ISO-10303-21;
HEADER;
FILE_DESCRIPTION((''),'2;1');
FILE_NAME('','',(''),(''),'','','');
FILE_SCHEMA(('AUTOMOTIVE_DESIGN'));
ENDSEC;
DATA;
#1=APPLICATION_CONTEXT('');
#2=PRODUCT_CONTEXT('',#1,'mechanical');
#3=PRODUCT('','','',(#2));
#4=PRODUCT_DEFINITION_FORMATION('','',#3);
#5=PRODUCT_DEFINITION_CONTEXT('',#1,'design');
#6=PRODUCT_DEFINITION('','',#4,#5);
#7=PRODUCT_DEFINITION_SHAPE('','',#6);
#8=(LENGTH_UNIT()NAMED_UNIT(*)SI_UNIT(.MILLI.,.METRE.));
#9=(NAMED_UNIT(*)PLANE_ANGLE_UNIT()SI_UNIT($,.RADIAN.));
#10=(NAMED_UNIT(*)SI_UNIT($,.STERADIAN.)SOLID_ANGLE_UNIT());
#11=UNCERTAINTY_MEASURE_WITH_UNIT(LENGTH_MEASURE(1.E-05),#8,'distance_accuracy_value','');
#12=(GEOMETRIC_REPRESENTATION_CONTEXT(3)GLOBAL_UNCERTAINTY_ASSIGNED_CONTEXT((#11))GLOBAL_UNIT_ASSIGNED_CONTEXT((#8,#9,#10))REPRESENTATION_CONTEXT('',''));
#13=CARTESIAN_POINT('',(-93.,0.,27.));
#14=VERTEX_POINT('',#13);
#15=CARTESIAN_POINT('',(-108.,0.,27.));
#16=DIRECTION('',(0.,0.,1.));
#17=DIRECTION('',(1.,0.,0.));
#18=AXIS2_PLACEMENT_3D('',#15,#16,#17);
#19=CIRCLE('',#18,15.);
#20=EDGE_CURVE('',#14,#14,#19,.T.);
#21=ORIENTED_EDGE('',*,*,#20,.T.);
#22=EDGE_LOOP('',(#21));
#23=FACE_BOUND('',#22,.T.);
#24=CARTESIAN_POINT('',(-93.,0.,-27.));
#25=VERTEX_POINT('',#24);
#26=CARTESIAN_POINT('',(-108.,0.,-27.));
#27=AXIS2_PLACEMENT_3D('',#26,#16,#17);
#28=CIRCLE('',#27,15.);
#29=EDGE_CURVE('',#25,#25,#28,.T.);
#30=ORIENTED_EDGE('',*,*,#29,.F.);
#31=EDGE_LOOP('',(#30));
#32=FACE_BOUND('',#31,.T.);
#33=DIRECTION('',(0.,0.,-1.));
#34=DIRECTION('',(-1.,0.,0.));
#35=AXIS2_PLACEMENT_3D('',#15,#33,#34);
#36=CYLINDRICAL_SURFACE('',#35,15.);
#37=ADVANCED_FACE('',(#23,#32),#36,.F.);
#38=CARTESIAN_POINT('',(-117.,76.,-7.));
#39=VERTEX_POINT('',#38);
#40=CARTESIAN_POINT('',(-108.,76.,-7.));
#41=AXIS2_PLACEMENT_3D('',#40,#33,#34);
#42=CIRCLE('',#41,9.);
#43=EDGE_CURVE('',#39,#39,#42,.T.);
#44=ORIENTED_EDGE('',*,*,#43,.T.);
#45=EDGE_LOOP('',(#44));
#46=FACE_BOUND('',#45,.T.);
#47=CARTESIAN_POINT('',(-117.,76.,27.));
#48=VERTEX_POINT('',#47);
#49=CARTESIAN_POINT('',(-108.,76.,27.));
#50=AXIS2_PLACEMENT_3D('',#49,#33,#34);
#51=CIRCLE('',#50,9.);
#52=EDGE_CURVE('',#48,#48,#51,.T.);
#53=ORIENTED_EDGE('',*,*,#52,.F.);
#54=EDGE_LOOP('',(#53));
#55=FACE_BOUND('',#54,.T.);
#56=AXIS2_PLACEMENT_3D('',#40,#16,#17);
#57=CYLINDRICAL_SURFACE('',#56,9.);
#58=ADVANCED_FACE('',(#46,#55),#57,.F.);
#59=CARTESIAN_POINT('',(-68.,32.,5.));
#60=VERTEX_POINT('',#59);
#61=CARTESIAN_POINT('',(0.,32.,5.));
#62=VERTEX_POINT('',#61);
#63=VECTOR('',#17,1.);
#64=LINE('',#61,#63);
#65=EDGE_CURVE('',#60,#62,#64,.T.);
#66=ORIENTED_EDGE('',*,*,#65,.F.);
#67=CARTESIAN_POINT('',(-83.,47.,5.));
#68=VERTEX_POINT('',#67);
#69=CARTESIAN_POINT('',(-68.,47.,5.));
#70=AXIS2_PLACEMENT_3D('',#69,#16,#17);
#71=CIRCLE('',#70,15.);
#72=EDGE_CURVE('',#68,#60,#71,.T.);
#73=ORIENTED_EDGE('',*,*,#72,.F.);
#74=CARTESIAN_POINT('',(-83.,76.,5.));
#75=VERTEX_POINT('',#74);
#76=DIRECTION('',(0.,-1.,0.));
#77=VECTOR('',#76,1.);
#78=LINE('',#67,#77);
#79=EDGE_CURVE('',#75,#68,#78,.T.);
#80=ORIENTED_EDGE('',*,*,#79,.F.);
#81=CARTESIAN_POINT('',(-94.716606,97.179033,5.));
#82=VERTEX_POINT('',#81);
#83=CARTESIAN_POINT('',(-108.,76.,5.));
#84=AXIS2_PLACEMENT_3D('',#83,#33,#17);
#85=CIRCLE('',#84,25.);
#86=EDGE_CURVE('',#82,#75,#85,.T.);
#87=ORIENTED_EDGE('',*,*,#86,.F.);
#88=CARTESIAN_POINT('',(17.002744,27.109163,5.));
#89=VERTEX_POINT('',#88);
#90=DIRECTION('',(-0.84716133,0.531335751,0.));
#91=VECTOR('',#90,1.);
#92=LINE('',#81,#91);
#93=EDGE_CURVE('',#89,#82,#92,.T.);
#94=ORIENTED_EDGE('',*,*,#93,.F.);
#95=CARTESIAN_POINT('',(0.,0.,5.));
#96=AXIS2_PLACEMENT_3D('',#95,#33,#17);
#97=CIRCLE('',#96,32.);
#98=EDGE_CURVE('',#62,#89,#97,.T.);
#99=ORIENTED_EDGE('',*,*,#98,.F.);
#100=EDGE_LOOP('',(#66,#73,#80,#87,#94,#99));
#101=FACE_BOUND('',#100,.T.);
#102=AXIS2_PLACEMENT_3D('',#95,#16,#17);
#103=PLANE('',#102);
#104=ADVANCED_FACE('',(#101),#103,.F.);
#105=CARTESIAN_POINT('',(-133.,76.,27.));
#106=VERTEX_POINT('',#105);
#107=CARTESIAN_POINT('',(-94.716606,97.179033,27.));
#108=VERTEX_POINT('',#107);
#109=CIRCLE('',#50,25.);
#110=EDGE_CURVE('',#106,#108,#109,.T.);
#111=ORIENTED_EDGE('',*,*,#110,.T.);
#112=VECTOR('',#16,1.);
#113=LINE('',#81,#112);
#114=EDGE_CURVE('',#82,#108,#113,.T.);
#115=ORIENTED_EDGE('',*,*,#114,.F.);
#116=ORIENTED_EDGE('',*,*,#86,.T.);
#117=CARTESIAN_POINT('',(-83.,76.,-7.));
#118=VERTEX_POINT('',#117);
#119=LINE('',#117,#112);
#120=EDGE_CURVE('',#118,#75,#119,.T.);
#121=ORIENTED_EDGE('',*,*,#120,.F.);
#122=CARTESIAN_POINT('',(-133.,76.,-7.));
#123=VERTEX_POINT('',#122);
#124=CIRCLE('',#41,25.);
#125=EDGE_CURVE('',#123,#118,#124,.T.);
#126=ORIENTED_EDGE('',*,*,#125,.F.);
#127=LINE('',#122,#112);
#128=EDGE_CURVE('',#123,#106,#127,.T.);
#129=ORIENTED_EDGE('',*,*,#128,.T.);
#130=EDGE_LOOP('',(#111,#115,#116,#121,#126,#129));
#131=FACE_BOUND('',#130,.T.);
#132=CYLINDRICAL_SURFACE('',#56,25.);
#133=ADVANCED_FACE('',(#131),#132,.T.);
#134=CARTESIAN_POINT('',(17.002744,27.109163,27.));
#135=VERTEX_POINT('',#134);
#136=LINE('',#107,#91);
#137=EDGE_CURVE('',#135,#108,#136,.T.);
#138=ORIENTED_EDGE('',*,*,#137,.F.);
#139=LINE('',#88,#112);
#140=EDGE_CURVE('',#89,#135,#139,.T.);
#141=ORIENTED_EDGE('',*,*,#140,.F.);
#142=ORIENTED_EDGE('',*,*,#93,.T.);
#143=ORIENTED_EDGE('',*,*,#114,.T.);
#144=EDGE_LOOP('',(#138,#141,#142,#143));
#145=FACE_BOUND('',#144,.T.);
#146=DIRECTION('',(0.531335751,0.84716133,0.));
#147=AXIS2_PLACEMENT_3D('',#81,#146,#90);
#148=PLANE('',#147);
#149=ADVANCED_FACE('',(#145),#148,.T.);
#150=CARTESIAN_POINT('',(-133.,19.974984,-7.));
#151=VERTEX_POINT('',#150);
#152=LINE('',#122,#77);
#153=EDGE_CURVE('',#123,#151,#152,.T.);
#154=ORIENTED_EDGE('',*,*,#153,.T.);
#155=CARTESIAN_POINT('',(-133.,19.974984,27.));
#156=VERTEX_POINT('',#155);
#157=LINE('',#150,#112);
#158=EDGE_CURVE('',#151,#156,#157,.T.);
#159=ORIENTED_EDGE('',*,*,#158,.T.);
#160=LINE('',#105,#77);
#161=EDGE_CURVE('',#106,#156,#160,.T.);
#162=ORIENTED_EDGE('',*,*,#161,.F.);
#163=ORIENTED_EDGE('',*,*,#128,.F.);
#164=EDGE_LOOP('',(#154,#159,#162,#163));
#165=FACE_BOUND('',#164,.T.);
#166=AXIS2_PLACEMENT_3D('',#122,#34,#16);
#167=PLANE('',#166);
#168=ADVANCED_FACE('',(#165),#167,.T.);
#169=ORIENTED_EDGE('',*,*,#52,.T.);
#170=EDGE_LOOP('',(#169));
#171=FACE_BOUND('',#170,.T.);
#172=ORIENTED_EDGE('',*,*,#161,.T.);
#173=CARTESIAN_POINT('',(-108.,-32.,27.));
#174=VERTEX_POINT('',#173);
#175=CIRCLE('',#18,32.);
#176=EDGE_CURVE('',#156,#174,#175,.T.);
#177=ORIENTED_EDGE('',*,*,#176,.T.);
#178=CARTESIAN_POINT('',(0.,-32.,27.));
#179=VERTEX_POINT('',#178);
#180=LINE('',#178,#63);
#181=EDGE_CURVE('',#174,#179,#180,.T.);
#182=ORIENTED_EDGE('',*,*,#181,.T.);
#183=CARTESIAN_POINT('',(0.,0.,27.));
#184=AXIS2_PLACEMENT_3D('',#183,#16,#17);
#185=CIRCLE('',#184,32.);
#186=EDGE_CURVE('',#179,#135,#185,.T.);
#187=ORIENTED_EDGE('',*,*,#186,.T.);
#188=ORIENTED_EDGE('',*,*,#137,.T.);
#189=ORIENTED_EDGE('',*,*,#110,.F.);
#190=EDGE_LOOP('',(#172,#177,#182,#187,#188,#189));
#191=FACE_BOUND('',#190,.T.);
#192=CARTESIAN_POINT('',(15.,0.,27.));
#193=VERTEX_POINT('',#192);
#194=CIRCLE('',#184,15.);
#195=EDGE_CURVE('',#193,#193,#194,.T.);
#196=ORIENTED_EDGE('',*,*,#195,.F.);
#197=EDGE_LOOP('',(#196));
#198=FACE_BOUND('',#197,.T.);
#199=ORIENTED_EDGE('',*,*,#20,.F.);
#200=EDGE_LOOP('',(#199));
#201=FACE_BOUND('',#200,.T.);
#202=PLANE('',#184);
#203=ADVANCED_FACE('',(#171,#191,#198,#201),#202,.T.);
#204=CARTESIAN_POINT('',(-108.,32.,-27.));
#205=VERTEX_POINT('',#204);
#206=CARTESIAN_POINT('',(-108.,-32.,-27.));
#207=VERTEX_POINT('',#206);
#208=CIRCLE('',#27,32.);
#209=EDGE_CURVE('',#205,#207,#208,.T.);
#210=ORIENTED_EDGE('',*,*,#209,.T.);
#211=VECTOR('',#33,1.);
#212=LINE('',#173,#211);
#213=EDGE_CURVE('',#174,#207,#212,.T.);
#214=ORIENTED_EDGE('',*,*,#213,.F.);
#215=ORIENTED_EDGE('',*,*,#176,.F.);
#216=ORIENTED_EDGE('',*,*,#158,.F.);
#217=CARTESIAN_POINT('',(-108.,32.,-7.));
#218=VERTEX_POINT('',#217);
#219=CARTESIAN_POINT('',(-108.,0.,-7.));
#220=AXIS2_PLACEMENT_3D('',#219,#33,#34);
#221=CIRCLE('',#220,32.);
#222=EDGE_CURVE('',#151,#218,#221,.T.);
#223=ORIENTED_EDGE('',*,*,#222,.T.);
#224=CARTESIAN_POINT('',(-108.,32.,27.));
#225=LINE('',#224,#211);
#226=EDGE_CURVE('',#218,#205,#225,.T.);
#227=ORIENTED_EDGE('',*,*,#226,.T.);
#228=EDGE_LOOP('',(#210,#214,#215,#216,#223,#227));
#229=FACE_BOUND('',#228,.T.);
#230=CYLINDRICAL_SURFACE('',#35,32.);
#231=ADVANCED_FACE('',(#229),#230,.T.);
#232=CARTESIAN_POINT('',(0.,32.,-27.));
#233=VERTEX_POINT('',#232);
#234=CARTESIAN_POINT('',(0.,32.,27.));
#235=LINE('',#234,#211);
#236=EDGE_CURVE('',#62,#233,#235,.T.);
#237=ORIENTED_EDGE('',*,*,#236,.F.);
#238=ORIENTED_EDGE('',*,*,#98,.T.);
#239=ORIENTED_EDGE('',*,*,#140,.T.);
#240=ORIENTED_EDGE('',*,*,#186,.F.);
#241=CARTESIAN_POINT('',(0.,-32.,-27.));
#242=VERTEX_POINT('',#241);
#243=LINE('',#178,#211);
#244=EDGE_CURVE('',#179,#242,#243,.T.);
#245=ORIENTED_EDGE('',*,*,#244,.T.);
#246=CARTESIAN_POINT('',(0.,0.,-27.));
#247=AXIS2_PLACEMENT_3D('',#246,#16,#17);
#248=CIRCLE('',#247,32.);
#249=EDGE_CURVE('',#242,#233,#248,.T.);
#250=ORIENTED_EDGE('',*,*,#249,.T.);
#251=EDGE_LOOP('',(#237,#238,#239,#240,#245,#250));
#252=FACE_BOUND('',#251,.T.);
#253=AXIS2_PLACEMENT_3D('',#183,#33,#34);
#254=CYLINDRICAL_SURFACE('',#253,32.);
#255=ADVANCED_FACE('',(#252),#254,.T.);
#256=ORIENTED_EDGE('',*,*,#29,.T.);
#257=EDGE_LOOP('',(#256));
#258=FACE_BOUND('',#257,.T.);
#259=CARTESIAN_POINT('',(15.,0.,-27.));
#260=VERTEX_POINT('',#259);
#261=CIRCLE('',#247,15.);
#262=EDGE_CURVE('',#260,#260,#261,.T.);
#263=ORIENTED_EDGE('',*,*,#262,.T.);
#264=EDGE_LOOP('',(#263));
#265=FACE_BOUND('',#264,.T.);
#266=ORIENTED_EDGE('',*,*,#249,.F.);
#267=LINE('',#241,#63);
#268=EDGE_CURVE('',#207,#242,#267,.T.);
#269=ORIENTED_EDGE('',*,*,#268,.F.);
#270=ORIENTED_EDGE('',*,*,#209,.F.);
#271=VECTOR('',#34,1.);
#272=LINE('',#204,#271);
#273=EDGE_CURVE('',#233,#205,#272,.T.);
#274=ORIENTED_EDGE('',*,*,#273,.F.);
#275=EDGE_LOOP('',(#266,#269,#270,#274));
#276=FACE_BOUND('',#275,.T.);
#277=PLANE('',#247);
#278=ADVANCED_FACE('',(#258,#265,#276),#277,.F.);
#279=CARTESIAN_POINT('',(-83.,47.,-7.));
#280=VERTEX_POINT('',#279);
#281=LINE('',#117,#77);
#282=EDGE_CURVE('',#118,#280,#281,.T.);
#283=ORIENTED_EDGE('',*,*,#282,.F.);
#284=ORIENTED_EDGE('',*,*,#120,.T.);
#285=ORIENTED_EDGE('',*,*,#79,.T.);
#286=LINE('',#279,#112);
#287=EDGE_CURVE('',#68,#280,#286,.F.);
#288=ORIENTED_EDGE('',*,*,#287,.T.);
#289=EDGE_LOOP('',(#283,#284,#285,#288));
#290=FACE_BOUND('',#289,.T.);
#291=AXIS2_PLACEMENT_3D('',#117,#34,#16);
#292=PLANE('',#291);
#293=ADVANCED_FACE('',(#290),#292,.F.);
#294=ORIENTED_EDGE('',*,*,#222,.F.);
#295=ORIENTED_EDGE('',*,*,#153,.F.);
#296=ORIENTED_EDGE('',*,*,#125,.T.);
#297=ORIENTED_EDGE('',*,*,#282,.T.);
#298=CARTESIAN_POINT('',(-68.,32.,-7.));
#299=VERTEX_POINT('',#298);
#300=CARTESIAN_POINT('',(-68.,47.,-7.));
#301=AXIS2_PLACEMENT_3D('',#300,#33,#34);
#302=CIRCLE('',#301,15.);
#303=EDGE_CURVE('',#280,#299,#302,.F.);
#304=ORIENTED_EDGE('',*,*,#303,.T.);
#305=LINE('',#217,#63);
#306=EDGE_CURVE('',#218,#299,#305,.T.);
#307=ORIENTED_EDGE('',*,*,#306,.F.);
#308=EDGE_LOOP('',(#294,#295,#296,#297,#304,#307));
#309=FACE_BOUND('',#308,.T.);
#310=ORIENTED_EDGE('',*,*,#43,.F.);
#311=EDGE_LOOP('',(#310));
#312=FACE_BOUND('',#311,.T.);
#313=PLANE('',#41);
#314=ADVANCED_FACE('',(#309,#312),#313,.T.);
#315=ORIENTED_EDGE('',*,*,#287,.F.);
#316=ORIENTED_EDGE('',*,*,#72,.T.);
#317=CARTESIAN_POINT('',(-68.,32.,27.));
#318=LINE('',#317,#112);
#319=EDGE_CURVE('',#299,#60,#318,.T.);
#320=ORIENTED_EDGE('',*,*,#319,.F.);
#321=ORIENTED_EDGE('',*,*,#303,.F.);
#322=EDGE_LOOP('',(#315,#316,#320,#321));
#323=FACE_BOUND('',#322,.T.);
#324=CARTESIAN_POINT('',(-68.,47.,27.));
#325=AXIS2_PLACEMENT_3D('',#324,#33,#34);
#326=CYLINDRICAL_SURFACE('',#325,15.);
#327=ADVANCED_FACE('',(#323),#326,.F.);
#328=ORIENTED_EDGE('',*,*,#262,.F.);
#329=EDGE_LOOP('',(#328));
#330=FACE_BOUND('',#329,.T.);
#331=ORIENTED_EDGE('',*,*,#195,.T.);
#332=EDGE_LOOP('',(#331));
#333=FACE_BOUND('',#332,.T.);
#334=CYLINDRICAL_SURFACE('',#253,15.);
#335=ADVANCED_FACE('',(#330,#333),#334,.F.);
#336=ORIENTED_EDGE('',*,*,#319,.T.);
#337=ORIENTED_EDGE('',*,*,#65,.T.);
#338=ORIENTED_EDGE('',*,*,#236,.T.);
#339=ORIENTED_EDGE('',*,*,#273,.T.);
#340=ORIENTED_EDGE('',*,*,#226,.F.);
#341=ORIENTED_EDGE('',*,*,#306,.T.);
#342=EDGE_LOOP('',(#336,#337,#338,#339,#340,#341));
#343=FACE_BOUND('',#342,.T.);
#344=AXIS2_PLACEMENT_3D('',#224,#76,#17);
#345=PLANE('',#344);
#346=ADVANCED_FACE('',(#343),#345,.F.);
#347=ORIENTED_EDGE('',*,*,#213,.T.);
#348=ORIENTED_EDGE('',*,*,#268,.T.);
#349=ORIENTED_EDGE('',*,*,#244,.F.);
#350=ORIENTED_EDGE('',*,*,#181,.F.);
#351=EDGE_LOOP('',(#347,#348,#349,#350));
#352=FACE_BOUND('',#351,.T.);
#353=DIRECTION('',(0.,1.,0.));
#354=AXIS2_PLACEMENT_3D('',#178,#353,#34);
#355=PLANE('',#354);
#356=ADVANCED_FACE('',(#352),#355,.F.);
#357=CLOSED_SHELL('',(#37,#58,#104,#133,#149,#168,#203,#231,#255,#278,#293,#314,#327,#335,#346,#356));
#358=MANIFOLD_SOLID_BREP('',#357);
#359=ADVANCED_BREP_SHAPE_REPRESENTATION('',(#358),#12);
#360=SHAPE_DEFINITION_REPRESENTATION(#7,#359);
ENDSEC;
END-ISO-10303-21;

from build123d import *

# Parameters (mm, degrees)
SKETCH1_R           = 15
BOSS_EXTRUDE1_DEPTH = 27
BOSS_EXTRUDE3_DEPTH = 34
SKETCH2_3_R         = 9
CUT_EXTRUDE1_DEPTH  = 34
FILLET1_R           = 15
BOSS_EXTRUDE4_DEPTH = 22


with BuildPart() as part:
    # Sketch1 → Boss-Extrude1 (new, symmetric)
    with BuildSketch(Plane.XY):
        with BuildLine():
            Line((-108, 32), (0, 32))
            ThreePointArc((0, 32), (32, 0), (0, -32))
            Line((0, -32), (-108, -32))
            ThreePointArc((-108, -32), (-140, 0), (-108, 32))
        make_face()
        Circle(SKETCH1_R, mode=Mode.SUBTRACT)
        with Locations((-108, 0)):
            Circle(SKETCH1_R, mode=Mode.SUBTRACT)
    extrude(amount=BOSS_EXTRUDE1_DEPTH, both=True)

    # Sketch2 → Boss-Extrude3 (add)
    with BuildSketch(Plane.XY.offset(27)):
        with BuildLine():
            Line((-83, 76), (-83, 32))
            Line((-83, 32), (-108, 32))
            ThreePointArc((-108, 32), (-121.870841731, 28.837471278), (-133, 19.974984355))
            Line((-133, 19.974984355), (-133, 76))
            ThreePointArc((-133, 76), (-108, 101), (-83, 76))
        make_face()
    extrude(amount=-BOSS_EXTRUDE3_DEPTH)

    # Sketch2<3> → Cut-Extrude1 (cut)
    with BuildSketch(Plane.XY.offset(27)):
        with Locations((-108, 76)):
            Circle(SKETCH2_3_R)
    extrude(amount=-CUT_EXTRUDE1_DEPTH, mode=Mode.SUBTRACT)

    # Fillet1
    fillet1_edges = [part.edges().sort_by_distance(p)[0] for p in [
        (-83, 32, 10),
    ]]
    fillet(fillet1_edges, radius=FILLET1_R)

    # Sketch3 → Boss-Extrude4 (add)
    with BuildSketch(Plane.XY.offset(27)):
        with BuildLine():
            Line((-94.716606225, 97.17903326), (17.002744032, 27.109162572))
            ThreePointArc((17.002744032, 27.109162572), (8.846095118, 30.752993369), (0, 32))
            Line((0, 32), (-68, 32))
            ThreePointArc((-68, 32), (-78.606601718, 36.393398282), (-83, 47))
            Line((-83, 47), (-83, 76))
            ThreePointArc((-83, 76), (-86.124387501, 88.101965865), (-94.716606225, 97.17903326))
        make_face()
    extrude(amount=-BOSS_EXTRUDE4_DEPTH)


solid = part.part
